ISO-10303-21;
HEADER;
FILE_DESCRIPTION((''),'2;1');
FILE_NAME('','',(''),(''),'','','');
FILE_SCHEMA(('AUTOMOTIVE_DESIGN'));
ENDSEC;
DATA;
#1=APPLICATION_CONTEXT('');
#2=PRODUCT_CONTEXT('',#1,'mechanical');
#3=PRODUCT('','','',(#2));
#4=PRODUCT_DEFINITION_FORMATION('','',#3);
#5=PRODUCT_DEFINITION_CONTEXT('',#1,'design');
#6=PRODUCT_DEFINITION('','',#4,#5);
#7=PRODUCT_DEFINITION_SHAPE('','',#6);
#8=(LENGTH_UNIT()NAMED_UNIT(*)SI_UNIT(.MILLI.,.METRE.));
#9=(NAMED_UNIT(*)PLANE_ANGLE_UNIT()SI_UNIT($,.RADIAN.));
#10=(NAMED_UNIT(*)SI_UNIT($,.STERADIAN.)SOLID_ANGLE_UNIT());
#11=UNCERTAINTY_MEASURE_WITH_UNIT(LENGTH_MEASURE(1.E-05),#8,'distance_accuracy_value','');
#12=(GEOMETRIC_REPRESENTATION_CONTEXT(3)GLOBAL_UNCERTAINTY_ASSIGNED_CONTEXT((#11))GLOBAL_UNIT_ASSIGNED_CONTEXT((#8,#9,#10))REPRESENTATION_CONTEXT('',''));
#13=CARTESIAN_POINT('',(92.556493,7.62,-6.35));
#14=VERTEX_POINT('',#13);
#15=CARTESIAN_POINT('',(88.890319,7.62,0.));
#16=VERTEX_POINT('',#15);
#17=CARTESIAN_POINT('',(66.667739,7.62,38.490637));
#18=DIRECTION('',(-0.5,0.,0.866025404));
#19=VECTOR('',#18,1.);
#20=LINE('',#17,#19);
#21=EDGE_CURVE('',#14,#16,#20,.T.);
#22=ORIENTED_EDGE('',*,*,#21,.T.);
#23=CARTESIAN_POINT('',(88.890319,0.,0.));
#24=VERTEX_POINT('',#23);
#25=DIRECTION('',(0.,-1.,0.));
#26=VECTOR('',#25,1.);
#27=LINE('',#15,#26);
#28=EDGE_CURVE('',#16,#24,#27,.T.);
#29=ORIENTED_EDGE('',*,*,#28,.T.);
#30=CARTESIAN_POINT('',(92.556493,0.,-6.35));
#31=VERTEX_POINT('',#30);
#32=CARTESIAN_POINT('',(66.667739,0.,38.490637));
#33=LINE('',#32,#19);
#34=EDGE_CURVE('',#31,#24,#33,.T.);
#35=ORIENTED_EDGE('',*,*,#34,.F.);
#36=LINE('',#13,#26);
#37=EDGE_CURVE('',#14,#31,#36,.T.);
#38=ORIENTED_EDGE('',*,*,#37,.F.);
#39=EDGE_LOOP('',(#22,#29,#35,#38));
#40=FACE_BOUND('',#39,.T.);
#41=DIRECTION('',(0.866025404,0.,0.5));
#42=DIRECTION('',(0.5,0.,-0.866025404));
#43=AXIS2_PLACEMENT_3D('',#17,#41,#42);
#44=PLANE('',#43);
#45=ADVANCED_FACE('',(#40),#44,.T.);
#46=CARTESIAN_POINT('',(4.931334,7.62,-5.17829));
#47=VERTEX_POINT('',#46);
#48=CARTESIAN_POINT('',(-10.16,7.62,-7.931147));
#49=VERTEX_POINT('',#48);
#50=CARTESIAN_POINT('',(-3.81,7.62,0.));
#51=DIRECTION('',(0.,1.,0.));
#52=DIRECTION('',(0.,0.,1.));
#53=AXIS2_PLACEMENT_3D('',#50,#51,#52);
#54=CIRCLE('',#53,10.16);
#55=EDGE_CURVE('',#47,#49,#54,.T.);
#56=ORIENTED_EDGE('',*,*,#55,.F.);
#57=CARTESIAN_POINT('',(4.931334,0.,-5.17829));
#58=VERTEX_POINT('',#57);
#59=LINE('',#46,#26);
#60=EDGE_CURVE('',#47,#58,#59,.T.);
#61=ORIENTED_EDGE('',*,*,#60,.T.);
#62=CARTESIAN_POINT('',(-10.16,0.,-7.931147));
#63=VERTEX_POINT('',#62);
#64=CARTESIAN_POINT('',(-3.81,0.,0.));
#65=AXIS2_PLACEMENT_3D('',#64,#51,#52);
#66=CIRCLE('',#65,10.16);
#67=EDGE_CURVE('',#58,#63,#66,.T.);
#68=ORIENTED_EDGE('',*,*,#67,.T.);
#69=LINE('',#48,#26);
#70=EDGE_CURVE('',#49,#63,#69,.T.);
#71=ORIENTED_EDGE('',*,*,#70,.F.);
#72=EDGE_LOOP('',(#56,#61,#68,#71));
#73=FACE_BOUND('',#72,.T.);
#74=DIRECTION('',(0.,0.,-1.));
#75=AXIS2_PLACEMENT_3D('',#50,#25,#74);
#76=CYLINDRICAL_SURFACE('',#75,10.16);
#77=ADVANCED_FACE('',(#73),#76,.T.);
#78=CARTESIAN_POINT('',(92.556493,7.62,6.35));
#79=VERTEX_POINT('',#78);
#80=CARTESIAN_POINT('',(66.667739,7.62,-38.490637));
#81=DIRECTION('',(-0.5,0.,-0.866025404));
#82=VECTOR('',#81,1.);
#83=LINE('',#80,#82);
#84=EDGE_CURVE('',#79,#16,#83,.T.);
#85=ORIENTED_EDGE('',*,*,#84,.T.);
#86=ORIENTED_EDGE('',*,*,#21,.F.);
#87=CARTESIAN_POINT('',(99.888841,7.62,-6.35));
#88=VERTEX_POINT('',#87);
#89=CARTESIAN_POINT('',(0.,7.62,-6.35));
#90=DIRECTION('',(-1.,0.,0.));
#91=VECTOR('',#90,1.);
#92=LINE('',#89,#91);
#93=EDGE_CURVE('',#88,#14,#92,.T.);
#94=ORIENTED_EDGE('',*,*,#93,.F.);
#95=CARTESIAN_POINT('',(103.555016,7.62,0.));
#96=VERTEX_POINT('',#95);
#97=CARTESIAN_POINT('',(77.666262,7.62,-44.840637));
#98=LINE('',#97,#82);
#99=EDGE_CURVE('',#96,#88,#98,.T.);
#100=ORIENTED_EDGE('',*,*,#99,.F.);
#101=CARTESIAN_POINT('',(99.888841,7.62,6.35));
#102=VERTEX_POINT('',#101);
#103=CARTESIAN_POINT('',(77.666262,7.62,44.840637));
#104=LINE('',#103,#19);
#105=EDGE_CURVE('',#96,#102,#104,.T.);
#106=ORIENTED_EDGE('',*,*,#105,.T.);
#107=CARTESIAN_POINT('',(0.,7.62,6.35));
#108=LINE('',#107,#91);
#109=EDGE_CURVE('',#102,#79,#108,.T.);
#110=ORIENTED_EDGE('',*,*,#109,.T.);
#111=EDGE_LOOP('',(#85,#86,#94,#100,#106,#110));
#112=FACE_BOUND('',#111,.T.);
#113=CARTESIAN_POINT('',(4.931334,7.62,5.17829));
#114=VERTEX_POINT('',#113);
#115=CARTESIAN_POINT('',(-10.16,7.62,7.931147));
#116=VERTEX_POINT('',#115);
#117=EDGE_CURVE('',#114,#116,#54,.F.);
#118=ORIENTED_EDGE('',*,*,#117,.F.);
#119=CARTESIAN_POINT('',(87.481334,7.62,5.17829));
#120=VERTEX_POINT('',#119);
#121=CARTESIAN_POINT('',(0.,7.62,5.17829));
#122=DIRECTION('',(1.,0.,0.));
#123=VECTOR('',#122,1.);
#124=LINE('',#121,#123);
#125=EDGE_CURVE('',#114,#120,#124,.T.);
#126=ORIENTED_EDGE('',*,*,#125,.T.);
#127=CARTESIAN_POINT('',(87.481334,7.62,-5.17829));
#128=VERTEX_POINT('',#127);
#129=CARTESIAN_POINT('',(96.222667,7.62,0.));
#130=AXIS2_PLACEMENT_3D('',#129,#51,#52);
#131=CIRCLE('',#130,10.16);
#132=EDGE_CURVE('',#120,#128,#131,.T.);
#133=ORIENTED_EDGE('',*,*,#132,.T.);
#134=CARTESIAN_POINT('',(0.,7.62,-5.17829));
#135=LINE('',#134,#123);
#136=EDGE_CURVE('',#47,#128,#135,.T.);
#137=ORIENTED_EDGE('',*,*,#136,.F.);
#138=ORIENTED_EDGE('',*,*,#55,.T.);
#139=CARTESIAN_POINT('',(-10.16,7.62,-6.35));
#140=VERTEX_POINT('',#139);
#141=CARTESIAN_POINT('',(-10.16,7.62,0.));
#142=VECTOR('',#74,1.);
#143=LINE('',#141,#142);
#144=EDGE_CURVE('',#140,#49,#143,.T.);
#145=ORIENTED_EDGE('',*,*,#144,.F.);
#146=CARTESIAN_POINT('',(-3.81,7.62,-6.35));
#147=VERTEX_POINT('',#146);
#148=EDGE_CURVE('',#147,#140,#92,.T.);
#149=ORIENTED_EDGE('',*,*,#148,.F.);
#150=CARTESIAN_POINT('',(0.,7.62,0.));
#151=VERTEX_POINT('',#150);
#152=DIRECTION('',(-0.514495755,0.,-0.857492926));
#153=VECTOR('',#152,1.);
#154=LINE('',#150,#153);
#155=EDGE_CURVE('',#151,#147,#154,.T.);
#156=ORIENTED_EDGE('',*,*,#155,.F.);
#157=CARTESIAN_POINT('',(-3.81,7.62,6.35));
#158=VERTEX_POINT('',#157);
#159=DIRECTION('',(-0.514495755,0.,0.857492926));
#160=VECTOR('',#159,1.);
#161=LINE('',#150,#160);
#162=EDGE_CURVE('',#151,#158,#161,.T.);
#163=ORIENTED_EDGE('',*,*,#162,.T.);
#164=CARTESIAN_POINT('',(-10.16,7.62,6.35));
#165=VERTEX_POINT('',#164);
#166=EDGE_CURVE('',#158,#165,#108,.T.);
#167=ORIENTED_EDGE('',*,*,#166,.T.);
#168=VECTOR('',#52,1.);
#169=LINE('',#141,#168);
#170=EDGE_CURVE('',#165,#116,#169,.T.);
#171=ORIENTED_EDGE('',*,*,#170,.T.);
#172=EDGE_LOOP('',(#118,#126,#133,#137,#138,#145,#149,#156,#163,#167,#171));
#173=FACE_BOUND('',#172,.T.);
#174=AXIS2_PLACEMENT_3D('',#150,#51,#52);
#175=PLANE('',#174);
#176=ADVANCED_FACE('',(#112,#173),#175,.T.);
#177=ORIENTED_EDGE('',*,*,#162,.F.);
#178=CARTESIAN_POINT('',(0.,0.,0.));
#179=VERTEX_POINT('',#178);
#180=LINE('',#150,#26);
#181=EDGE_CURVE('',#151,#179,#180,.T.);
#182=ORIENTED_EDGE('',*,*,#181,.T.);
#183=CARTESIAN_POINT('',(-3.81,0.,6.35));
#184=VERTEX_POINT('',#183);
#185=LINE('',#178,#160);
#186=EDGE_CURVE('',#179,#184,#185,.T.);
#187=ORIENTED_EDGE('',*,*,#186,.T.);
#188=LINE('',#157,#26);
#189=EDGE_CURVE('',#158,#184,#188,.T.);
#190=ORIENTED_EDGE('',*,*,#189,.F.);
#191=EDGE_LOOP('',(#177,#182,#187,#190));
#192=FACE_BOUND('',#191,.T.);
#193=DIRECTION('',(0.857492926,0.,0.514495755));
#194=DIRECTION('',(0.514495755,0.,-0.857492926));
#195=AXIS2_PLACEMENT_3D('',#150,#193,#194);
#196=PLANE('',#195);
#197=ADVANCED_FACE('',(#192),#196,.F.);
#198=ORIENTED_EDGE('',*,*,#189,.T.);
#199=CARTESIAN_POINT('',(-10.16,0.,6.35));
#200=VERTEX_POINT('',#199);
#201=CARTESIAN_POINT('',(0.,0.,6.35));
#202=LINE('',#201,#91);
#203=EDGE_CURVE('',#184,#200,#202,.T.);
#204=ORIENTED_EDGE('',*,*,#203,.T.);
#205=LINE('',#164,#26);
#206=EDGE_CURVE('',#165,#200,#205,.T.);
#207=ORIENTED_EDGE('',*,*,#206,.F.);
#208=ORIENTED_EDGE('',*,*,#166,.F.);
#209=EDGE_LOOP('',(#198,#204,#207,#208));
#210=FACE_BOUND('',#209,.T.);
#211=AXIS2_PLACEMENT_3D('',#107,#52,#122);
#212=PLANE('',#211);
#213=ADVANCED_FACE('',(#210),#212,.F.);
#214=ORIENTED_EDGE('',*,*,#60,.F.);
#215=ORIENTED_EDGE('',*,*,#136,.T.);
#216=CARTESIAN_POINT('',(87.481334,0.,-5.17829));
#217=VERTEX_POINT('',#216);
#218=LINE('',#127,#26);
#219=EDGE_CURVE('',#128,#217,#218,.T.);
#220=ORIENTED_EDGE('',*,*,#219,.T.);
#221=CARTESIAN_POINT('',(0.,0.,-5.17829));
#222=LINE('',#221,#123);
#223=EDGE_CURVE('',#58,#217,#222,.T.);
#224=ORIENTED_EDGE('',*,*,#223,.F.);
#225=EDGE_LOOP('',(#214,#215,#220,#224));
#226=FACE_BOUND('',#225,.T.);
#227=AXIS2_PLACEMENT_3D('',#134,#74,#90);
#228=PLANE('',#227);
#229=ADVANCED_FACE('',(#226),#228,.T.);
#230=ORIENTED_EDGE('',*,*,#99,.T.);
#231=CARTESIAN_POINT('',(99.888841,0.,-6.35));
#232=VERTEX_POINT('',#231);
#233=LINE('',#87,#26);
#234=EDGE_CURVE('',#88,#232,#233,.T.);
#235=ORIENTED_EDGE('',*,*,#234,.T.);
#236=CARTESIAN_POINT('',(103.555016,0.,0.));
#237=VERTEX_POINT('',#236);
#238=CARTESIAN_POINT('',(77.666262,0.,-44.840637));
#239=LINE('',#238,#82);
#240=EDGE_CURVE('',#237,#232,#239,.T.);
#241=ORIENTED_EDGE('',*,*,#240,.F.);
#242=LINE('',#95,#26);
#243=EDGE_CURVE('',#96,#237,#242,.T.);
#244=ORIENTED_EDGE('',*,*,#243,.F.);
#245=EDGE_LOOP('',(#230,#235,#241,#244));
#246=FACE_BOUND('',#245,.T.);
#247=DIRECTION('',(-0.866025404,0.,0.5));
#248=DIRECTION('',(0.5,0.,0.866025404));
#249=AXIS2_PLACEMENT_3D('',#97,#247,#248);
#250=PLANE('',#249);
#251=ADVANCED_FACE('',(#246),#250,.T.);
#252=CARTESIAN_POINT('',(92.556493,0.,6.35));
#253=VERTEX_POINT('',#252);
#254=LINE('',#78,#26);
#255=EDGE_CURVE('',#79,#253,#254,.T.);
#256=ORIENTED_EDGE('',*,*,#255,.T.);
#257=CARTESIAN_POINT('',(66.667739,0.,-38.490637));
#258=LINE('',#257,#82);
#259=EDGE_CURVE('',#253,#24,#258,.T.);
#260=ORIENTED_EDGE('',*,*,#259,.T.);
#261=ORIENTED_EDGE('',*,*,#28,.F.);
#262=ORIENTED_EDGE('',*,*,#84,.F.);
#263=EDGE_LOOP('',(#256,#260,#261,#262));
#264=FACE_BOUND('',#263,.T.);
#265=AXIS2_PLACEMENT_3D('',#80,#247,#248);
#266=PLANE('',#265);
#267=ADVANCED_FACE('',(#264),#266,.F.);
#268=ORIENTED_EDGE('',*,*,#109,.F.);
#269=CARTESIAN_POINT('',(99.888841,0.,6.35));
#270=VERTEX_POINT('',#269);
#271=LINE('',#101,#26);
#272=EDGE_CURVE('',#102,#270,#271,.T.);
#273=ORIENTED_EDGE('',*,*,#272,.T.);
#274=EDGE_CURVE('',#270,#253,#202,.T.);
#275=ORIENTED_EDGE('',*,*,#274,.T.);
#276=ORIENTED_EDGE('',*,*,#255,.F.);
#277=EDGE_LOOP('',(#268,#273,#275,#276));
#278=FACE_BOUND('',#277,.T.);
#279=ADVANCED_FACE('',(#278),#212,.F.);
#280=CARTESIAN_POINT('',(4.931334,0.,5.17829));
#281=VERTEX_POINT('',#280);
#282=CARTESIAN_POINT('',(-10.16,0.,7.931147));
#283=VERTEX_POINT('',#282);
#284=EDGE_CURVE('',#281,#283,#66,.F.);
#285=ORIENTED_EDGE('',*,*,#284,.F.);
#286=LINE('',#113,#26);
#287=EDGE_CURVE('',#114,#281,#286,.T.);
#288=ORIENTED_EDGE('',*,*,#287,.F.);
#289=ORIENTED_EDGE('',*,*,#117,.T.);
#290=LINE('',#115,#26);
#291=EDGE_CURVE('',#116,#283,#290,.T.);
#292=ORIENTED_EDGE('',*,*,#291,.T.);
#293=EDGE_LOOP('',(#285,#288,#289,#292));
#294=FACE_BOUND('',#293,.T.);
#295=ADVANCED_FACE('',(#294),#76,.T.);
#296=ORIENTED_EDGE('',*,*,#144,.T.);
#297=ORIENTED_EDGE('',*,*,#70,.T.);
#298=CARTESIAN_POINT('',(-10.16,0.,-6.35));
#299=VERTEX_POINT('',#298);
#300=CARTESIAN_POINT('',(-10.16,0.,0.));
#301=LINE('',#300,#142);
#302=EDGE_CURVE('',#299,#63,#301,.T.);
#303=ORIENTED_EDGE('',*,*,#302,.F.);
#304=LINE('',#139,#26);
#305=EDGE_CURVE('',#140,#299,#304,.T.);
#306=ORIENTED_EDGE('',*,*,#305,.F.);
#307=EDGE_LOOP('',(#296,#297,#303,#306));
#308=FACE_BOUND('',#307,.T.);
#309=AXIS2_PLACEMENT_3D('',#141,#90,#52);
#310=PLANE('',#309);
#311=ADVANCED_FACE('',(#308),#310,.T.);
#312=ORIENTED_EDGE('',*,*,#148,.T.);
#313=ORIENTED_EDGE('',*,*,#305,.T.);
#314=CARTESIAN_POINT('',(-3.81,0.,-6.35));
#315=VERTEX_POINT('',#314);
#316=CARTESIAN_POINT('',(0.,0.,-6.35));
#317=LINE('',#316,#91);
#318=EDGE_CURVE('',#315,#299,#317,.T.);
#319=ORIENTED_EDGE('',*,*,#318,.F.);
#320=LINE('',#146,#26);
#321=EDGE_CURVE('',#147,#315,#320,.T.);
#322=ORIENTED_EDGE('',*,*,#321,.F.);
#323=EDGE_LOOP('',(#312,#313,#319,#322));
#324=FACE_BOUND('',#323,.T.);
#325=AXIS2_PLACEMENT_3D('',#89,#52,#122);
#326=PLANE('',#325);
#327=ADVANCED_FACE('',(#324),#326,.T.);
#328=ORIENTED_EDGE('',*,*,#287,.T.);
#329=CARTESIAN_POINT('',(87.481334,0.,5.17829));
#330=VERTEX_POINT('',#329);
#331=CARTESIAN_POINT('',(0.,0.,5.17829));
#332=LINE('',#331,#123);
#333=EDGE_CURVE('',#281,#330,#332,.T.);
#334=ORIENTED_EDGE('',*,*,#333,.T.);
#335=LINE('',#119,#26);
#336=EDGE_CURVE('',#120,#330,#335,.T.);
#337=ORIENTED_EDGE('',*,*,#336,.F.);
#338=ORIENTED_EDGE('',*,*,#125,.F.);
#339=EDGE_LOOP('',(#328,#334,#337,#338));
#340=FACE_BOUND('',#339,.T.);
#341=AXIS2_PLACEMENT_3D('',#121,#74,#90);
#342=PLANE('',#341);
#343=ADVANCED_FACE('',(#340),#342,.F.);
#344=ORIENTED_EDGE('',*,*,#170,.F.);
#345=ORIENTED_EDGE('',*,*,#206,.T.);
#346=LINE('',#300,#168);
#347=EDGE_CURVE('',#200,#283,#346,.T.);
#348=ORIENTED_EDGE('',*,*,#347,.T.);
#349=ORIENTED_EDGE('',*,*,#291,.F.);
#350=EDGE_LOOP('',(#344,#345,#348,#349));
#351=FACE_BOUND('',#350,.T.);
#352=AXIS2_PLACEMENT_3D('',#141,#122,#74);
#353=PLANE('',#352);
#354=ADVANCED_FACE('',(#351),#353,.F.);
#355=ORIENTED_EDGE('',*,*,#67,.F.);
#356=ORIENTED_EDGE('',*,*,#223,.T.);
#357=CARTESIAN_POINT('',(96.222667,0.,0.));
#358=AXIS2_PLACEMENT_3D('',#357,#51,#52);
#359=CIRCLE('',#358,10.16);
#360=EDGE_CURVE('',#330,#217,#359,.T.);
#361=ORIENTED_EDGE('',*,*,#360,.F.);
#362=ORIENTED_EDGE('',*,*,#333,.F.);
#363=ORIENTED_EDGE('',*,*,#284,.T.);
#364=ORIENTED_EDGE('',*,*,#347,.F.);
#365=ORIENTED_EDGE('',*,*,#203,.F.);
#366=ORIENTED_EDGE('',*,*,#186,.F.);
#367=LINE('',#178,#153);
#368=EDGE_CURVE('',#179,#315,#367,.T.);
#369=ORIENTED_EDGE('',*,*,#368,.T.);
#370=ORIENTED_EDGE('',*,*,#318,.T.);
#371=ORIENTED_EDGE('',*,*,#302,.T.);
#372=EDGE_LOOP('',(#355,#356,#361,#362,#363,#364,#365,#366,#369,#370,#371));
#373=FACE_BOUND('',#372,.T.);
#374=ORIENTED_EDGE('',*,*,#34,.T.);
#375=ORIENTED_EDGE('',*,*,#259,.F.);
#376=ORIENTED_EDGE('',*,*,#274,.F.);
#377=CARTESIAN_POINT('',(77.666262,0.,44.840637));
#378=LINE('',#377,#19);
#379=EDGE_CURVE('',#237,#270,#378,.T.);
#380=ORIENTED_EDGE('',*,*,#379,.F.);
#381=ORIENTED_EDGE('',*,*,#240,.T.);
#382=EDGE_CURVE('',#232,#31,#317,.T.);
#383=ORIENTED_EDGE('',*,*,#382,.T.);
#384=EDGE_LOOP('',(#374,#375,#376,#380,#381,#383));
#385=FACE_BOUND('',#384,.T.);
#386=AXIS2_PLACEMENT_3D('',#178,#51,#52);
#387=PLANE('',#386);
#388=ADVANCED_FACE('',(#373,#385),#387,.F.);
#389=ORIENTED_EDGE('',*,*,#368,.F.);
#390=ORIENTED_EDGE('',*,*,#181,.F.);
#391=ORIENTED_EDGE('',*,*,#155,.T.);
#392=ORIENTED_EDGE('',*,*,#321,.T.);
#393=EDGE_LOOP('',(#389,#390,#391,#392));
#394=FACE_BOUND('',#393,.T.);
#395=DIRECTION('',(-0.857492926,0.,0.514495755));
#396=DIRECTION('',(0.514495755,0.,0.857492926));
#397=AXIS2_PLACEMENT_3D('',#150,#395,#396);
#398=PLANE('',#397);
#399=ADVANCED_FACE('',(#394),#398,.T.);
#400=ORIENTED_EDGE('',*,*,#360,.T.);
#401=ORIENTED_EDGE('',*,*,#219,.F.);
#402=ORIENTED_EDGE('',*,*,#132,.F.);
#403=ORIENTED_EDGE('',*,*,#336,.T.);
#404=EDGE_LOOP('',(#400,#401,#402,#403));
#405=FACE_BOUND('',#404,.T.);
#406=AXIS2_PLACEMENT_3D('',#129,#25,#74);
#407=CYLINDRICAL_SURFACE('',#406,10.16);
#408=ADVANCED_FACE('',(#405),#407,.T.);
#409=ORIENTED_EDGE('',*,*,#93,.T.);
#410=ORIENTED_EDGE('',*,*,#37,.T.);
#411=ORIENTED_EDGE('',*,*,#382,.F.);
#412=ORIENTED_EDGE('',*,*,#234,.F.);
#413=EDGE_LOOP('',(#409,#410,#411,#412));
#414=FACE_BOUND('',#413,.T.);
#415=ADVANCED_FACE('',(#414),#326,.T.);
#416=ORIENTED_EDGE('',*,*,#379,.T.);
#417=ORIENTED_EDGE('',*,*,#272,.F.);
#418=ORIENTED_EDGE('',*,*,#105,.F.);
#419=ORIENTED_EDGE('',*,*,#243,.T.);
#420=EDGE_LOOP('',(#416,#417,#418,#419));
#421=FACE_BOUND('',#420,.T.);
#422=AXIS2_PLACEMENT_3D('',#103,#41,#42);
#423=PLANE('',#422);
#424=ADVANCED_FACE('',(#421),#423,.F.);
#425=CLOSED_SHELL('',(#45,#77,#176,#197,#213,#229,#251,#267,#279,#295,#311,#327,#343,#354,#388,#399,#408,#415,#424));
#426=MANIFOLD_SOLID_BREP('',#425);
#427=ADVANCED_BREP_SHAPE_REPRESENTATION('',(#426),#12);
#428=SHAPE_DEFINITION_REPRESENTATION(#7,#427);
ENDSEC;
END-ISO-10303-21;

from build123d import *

# Parameters (mm, degrees)
BOSS_EXTRUDE1_DEPTH = 7.62


with BuildPart() as part:
    # Sketch2 → Boss-Extrude1 (new body)
    with BuildSketch(Plane(origin=(0, 0, 0), x_dir=(1, 0, 0), z_dir=(0, 1, 0))):
        with BuildLine():
            ThreePointArc((87.481333576, -5.178289999), (98.907220268, -9.79891701), (106.382667152, 0))
            Line((106.382667152, 0), (103.555015571, 0))
            Line((103.555015571, 0), (101.721928466, -3.175))
            Line((101.721928466, -3.175), (99.888841361, -6.35))
            Line((99.888841361, -6.35), (92.556492943, -6.35))
            Line((92.556492943, -6.35), (90.723405838, -3.175))
            Line((90.723405838, -3.175), (88.890318733, 0))
            Line((88.890318733, 0), (0, 0))
            Line((0, 0), (-3.81, -6.35))
            Line((-3.81, -6.35), (-10.16, -6.35))
            Line((-10.16, -6.35), (-10.16, -7.931147458))
            ThreePointArc((-10.16, -7.931147458), (-1.986767948, -9.995070029), (4.931333576, -5.178289999))
            Line((4.931333576, -5.178289999), (87.481333576, -5.178289999))
        make_face()
        with BuildLine():
            Line((87.481333576, 5.178289999), (4.931333576, 5.178289999))
            ThreePointArc((4.931333576, 5.178289999), (-1.986767948, 9.995070029), (-10.16, 7.931147458))
            Line((-10.16, 7.931147458), (-10.16, 6.35))
            Line((-10.16, 6.35), (-3.81, 6.35))
            Line((-3.81, 6.35), (0, 0))
            Line((0, 0), (88.890318733, 0))
            Line((88.890318733, 0), (92.556492943, 6.35))
            Line((92.556492943, 6.35), (99.888841361, 6.35))
            Line((99.888841361, 6.35), (103.555015571, 0))
            Line((103.555015571, 0), (106.382667152, 0))
            ThreePointArc((106.382667152, 0), (98.907220268, 9.79891701), (87.481333576, 5.178289999))
        make_face()
    extrude(amount=BOSS_EXTRUDE1_DEPTH)


solid = part.part
